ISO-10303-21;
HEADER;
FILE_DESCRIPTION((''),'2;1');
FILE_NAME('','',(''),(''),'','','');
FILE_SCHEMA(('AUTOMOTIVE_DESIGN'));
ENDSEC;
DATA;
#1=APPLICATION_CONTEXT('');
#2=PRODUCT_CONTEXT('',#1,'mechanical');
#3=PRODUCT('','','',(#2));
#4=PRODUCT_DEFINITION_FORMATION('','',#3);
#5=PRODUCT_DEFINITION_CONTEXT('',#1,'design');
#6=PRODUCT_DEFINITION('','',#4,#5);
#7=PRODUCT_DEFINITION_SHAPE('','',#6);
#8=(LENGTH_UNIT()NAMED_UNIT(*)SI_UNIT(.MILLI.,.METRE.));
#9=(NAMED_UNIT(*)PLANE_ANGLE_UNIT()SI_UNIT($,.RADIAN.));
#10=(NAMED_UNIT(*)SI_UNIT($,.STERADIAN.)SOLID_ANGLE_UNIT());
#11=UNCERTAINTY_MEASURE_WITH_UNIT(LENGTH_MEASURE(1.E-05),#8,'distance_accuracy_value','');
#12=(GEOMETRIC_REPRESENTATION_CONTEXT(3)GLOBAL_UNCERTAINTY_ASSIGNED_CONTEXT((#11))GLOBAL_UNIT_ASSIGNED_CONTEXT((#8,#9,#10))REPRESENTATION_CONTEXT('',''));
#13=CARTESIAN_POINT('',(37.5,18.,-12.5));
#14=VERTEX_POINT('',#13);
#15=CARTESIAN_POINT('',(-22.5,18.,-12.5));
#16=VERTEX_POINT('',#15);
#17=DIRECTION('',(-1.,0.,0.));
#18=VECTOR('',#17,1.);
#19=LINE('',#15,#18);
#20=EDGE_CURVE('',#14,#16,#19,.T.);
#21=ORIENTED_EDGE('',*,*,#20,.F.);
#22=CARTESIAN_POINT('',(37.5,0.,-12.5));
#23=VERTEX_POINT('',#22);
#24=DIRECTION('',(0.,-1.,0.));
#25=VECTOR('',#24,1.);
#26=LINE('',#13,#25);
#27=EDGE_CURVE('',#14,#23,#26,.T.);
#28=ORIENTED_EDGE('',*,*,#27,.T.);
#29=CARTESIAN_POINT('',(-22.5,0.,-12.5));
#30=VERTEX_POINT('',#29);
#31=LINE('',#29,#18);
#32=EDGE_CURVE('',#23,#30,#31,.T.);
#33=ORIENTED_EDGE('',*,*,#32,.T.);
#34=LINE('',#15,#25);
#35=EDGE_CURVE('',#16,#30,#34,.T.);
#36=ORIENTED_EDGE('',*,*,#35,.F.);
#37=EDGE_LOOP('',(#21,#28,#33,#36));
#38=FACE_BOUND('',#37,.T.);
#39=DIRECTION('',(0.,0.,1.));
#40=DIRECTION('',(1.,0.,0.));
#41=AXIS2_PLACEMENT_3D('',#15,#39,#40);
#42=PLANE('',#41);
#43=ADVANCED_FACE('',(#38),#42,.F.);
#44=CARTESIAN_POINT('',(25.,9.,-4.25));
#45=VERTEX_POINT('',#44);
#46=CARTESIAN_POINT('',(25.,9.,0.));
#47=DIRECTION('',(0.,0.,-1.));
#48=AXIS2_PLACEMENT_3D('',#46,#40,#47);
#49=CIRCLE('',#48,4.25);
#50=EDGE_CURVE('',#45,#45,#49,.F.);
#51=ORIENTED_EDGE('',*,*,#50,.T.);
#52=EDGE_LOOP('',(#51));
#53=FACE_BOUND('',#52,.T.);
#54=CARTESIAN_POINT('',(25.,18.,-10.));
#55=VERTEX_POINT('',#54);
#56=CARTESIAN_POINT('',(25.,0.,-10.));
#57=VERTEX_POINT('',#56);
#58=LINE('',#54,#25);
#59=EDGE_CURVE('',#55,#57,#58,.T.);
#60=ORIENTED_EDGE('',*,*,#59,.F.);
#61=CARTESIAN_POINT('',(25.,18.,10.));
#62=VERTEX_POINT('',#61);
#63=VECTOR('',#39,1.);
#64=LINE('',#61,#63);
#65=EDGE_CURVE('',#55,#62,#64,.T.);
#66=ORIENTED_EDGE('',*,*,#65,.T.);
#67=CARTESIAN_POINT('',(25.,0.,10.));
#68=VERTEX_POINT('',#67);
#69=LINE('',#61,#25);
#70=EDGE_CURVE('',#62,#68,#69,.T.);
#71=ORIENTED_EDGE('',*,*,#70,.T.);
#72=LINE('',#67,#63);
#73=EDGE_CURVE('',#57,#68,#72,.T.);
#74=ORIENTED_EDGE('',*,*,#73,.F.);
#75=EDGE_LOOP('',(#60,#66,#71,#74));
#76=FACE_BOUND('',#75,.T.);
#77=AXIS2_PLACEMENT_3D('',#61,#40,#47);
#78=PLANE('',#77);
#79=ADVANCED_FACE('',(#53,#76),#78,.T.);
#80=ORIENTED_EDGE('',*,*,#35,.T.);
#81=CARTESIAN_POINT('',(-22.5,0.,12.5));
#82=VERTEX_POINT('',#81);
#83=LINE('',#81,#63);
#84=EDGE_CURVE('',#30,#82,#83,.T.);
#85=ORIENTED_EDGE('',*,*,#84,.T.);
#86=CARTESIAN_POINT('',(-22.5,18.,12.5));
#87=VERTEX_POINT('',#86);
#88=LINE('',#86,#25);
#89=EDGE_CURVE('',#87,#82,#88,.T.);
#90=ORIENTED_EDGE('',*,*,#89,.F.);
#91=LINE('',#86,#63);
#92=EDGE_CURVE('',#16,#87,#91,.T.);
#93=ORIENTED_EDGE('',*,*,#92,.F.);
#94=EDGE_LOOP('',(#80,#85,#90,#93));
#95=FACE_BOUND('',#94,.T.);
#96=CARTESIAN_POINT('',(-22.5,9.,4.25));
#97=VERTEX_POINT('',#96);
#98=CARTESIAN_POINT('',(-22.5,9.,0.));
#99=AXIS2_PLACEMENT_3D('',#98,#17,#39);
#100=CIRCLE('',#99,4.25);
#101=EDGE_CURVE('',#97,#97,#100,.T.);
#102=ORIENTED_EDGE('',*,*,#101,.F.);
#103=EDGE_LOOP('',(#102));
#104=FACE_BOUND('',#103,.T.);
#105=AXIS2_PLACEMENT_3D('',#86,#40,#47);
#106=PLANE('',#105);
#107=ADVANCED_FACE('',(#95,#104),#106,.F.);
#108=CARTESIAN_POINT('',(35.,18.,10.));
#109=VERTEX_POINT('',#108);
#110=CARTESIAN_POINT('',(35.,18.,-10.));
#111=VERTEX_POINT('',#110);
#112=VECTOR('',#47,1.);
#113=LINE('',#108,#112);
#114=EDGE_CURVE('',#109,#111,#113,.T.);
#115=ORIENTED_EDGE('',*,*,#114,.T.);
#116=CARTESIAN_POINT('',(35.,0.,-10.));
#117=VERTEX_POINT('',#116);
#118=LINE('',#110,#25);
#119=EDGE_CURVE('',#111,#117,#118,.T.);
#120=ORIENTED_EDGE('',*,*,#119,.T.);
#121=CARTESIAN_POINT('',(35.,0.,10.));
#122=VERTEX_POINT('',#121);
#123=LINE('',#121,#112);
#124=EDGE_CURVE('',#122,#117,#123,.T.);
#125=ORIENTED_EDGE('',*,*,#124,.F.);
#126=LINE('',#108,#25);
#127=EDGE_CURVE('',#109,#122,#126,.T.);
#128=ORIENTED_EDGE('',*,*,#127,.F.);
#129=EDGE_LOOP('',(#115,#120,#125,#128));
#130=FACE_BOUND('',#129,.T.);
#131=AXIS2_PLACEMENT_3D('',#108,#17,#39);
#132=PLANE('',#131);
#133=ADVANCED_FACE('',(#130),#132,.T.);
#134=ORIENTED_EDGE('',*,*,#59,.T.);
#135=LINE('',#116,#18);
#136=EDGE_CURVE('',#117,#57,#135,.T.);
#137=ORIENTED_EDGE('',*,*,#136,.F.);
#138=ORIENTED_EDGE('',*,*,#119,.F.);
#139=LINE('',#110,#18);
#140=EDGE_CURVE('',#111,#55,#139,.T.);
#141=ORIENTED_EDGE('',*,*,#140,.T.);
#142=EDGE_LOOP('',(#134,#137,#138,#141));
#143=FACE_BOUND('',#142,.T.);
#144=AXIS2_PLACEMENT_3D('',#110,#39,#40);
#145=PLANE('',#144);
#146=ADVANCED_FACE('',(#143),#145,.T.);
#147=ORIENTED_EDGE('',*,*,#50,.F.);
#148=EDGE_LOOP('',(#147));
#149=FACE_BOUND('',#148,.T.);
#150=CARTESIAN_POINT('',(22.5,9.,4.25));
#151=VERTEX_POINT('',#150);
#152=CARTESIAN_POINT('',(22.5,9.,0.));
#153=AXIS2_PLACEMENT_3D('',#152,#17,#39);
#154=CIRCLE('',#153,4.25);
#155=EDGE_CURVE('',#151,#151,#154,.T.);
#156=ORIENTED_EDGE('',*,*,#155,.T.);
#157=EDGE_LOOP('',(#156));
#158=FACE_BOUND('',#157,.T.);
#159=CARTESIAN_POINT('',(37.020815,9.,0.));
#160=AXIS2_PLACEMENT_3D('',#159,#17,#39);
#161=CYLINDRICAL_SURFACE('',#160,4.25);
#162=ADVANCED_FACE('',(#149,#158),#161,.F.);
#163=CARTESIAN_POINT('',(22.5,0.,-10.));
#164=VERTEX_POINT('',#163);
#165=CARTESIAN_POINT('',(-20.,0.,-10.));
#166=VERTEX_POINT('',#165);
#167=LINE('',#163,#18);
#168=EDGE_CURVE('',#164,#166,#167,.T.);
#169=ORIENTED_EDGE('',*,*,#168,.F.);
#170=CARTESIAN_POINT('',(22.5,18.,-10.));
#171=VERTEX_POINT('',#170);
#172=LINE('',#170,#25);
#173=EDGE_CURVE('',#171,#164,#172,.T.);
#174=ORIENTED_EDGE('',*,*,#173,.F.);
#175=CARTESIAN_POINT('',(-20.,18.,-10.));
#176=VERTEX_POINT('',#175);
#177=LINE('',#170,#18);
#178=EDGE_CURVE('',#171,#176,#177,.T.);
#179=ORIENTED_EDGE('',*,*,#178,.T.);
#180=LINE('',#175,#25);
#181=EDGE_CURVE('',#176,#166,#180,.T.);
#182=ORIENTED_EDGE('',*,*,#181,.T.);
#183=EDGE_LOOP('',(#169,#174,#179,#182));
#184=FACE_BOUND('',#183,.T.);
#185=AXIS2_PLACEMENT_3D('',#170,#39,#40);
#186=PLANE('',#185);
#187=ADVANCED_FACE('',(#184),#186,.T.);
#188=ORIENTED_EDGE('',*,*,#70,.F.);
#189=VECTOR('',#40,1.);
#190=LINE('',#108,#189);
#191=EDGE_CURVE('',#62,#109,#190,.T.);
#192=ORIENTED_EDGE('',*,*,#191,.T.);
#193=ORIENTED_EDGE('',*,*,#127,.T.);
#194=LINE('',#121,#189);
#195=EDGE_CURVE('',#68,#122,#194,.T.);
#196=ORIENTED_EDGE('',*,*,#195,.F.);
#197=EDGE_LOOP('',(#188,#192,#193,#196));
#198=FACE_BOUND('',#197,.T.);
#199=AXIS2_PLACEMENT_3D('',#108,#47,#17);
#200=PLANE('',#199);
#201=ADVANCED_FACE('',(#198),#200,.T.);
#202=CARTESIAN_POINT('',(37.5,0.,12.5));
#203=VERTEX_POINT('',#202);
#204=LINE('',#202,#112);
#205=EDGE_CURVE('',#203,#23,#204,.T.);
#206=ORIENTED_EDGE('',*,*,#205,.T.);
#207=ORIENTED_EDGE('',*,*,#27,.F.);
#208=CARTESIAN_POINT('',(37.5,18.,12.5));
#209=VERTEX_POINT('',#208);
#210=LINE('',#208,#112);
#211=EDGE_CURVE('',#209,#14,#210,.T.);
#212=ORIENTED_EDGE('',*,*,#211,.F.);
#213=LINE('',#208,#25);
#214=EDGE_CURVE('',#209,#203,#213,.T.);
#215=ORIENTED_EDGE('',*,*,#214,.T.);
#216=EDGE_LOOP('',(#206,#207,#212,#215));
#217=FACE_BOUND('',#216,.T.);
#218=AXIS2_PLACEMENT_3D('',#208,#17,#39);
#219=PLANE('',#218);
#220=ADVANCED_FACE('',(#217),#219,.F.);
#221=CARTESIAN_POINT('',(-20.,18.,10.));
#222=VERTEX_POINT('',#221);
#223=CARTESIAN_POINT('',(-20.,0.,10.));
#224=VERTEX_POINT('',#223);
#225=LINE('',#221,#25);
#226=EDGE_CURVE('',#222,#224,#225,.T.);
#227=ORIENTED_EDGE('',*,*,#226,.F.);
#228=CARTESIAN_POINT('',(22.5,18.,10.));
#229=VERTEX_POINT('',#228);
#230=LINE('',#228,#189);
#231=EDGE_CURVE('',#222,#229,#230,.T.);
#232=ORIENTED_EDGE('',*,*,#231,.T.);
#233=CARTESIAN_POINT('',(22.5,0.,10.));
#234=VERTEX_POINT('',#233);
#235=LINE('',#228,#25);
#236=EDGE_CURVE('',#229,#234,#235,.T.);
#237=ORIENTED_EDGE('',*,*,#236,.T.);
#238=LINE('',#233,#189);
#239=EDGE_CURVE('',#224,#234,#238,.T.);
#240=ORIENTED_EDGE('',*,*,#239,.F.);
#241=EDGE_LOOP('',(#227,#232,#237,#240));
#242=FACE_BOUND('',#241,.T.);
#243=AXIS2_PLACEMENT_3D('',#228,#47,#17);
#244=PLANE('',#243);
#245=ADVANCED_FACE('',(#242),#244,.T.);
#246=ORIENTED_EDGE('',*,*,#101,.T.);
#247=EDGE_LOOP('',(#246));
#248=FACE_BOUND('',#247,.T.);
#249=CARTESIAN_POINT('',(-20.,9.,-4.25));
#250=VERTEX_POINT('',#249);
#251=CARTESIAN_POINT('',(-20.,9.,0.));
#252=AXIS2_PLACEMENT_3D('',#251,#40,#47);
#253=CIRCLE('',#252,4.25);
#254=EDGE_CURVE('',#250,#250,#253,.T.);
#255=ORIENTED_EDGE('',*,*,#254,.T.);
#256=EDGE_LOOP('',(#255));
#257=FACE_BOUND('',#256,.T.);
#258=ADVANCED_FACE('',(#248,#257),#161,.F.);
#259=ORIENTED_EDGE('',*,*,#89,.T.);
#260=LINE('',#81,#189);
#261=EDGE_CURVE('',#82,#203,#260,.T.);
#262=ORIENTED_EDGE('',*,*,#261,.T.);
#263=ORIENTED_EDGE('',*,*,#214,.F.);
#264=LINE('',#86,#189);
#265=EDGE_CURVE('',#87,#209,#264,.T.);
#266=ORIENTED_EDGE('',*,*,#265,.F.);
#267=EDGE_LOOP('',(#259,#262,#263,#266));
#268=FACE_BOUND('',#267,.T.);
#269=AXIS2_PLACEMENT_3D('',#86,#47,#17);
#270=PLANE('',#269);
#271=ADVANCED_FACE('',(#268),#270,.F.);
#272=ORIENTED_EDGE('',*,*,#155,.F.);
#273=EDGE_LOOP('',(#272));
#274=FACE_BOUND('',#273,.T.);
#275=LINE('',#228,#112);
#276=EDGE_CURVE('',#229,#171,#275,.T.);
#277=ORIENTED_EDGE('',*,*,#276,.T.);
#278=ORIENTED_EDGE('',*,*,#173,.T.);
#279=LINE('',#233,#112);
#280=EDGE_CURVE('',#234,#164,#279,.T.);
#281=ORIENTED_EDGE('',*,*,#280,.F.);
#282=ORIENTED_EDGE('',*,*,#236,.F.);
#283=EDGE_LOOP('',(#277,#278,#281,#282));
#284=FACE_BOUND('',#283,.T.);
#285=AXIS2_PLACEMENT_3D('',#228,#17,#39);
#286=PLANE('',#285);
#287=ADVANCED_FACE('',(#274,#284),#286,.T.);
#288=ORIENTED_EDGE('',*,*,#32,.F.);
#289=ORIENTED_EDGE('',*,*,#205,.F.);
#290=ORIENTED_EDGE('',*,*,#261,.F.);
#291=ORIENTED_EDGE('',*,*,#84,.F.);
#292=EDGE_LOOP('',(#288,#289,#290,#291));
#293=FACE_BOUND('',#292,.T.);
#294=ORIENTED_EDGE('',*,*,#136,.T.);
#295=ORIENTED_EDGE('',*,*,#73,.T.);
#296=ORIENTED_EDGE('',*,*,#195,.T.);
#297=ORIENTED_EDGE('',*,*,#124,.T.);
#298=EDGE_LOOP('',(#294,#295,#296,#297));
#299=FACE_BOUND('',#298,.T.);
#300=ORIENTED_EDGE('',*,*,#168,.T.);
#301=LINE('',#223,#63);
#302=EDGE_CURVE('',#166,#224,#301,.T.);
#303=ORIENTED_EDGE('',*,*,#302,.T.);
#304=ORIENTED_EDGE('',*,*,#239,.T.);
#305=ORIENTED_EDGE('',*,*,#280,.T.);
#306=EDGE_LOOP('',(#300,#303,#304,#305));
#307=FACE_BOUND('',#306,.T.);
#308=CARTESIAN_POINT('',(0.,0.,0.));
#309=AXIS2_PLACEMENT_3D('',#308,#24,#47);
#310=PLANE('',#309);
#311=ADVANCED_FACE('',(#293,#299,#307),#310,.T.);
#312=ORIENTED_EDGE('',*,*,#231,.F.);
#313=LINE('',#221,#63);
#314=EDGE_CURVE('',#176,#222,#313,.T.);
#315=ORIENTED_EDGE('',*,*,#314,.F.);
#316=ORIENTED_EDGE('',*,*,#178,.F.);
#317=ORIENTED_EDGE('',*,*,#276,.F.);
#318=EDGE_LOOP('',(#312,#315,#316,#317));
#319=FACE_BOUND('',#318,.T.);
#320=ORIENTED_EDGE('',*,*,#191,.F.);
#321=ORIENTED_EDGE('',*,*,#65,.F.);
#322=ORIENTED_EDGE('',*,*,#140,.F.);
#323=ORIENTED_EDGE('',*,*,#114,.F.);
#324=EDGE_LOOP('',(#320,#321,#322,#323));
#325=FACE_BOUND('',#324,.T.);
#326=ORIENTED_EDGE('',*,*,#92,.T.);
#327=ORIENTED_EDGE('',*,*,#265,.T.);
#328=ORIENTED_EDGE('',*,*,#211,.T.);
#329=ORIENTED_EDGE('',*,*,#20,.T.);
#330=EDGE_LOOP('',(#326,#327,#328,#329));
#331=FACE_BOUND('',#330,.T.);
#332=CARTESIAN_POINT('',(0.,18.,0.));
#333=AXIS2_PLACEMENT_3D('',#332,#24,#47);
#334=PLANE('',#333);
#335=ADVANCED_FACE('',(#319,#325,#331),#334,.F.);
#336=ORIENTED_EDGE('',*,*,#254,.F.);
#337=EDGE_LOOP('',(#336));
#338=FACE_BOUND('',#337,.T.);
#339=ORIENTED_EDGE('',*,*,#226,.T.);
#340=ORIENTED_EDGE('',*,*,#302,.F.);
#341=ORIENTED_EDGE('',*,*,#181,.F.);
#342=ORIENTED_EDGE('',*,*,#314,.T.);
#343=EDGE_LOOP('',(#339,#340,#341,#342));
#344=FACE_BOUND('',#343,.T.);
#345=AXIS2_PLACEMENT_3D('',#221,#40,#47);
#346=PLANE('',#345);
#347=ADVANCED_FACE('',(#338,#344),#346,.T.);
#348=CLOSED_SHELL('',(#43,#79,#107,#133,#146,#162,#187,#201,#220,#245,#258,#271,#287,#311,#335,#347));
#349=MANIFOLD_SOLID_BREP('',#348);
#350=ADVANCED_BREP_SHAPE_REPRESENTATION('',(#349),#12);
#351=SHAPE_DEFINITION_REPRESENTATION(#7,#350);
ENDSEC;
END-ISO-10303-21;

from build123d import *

# Parameters (mm, degrees)
SKETCH1_W           = 60
SKETCH1_H           = 25
SKETCH1_W_2         = 42.5
SKETCH1_H_2         = 20
SKETCH1_W_3         = 10
BOSS_EXTRUDE1_DEPTH = 18
SKETCH3_R           = 4.25
CUT_EXTRUDE1_DEPTH  = 47.5


with BuildPart() as part:
    # Sketch1 → Boss-Extrude1 (new body)
    with BuildSketch(Plane(origin=(0, 0, 0), x_dir=(1, 0, 0), z_dir=(0, 1, 0))):
        with Locations((7.5, 0)):
            Rectangle(SKETCH1_W, SKETCH1_H)
        with Locations((1.25, 0)):
            Rectangle(SKETCH1_W_2, SKETCH1_H_2, mode=Mode.SUBTRACT)
        with Locations((30, 0)):
            Rectangle(SKETCH1_W_3, SKETCH1_H_2, mode=Mode.SUBTRACT)
    extrude(amount=BOSS_EXTRUDE1_DEPTH)

    # Sketch3 → Cut-Extrude1 (cut)
    with BuildSketch(Plane.ZY.offset(22.5)):
        with Locations((0, 9)):
            Circle(SKETCH3_R)
    extrude(amount=-CUT_EXTRUDE1_DEPTH, mode=Mode.SUBTRACT)


solid = part.part
